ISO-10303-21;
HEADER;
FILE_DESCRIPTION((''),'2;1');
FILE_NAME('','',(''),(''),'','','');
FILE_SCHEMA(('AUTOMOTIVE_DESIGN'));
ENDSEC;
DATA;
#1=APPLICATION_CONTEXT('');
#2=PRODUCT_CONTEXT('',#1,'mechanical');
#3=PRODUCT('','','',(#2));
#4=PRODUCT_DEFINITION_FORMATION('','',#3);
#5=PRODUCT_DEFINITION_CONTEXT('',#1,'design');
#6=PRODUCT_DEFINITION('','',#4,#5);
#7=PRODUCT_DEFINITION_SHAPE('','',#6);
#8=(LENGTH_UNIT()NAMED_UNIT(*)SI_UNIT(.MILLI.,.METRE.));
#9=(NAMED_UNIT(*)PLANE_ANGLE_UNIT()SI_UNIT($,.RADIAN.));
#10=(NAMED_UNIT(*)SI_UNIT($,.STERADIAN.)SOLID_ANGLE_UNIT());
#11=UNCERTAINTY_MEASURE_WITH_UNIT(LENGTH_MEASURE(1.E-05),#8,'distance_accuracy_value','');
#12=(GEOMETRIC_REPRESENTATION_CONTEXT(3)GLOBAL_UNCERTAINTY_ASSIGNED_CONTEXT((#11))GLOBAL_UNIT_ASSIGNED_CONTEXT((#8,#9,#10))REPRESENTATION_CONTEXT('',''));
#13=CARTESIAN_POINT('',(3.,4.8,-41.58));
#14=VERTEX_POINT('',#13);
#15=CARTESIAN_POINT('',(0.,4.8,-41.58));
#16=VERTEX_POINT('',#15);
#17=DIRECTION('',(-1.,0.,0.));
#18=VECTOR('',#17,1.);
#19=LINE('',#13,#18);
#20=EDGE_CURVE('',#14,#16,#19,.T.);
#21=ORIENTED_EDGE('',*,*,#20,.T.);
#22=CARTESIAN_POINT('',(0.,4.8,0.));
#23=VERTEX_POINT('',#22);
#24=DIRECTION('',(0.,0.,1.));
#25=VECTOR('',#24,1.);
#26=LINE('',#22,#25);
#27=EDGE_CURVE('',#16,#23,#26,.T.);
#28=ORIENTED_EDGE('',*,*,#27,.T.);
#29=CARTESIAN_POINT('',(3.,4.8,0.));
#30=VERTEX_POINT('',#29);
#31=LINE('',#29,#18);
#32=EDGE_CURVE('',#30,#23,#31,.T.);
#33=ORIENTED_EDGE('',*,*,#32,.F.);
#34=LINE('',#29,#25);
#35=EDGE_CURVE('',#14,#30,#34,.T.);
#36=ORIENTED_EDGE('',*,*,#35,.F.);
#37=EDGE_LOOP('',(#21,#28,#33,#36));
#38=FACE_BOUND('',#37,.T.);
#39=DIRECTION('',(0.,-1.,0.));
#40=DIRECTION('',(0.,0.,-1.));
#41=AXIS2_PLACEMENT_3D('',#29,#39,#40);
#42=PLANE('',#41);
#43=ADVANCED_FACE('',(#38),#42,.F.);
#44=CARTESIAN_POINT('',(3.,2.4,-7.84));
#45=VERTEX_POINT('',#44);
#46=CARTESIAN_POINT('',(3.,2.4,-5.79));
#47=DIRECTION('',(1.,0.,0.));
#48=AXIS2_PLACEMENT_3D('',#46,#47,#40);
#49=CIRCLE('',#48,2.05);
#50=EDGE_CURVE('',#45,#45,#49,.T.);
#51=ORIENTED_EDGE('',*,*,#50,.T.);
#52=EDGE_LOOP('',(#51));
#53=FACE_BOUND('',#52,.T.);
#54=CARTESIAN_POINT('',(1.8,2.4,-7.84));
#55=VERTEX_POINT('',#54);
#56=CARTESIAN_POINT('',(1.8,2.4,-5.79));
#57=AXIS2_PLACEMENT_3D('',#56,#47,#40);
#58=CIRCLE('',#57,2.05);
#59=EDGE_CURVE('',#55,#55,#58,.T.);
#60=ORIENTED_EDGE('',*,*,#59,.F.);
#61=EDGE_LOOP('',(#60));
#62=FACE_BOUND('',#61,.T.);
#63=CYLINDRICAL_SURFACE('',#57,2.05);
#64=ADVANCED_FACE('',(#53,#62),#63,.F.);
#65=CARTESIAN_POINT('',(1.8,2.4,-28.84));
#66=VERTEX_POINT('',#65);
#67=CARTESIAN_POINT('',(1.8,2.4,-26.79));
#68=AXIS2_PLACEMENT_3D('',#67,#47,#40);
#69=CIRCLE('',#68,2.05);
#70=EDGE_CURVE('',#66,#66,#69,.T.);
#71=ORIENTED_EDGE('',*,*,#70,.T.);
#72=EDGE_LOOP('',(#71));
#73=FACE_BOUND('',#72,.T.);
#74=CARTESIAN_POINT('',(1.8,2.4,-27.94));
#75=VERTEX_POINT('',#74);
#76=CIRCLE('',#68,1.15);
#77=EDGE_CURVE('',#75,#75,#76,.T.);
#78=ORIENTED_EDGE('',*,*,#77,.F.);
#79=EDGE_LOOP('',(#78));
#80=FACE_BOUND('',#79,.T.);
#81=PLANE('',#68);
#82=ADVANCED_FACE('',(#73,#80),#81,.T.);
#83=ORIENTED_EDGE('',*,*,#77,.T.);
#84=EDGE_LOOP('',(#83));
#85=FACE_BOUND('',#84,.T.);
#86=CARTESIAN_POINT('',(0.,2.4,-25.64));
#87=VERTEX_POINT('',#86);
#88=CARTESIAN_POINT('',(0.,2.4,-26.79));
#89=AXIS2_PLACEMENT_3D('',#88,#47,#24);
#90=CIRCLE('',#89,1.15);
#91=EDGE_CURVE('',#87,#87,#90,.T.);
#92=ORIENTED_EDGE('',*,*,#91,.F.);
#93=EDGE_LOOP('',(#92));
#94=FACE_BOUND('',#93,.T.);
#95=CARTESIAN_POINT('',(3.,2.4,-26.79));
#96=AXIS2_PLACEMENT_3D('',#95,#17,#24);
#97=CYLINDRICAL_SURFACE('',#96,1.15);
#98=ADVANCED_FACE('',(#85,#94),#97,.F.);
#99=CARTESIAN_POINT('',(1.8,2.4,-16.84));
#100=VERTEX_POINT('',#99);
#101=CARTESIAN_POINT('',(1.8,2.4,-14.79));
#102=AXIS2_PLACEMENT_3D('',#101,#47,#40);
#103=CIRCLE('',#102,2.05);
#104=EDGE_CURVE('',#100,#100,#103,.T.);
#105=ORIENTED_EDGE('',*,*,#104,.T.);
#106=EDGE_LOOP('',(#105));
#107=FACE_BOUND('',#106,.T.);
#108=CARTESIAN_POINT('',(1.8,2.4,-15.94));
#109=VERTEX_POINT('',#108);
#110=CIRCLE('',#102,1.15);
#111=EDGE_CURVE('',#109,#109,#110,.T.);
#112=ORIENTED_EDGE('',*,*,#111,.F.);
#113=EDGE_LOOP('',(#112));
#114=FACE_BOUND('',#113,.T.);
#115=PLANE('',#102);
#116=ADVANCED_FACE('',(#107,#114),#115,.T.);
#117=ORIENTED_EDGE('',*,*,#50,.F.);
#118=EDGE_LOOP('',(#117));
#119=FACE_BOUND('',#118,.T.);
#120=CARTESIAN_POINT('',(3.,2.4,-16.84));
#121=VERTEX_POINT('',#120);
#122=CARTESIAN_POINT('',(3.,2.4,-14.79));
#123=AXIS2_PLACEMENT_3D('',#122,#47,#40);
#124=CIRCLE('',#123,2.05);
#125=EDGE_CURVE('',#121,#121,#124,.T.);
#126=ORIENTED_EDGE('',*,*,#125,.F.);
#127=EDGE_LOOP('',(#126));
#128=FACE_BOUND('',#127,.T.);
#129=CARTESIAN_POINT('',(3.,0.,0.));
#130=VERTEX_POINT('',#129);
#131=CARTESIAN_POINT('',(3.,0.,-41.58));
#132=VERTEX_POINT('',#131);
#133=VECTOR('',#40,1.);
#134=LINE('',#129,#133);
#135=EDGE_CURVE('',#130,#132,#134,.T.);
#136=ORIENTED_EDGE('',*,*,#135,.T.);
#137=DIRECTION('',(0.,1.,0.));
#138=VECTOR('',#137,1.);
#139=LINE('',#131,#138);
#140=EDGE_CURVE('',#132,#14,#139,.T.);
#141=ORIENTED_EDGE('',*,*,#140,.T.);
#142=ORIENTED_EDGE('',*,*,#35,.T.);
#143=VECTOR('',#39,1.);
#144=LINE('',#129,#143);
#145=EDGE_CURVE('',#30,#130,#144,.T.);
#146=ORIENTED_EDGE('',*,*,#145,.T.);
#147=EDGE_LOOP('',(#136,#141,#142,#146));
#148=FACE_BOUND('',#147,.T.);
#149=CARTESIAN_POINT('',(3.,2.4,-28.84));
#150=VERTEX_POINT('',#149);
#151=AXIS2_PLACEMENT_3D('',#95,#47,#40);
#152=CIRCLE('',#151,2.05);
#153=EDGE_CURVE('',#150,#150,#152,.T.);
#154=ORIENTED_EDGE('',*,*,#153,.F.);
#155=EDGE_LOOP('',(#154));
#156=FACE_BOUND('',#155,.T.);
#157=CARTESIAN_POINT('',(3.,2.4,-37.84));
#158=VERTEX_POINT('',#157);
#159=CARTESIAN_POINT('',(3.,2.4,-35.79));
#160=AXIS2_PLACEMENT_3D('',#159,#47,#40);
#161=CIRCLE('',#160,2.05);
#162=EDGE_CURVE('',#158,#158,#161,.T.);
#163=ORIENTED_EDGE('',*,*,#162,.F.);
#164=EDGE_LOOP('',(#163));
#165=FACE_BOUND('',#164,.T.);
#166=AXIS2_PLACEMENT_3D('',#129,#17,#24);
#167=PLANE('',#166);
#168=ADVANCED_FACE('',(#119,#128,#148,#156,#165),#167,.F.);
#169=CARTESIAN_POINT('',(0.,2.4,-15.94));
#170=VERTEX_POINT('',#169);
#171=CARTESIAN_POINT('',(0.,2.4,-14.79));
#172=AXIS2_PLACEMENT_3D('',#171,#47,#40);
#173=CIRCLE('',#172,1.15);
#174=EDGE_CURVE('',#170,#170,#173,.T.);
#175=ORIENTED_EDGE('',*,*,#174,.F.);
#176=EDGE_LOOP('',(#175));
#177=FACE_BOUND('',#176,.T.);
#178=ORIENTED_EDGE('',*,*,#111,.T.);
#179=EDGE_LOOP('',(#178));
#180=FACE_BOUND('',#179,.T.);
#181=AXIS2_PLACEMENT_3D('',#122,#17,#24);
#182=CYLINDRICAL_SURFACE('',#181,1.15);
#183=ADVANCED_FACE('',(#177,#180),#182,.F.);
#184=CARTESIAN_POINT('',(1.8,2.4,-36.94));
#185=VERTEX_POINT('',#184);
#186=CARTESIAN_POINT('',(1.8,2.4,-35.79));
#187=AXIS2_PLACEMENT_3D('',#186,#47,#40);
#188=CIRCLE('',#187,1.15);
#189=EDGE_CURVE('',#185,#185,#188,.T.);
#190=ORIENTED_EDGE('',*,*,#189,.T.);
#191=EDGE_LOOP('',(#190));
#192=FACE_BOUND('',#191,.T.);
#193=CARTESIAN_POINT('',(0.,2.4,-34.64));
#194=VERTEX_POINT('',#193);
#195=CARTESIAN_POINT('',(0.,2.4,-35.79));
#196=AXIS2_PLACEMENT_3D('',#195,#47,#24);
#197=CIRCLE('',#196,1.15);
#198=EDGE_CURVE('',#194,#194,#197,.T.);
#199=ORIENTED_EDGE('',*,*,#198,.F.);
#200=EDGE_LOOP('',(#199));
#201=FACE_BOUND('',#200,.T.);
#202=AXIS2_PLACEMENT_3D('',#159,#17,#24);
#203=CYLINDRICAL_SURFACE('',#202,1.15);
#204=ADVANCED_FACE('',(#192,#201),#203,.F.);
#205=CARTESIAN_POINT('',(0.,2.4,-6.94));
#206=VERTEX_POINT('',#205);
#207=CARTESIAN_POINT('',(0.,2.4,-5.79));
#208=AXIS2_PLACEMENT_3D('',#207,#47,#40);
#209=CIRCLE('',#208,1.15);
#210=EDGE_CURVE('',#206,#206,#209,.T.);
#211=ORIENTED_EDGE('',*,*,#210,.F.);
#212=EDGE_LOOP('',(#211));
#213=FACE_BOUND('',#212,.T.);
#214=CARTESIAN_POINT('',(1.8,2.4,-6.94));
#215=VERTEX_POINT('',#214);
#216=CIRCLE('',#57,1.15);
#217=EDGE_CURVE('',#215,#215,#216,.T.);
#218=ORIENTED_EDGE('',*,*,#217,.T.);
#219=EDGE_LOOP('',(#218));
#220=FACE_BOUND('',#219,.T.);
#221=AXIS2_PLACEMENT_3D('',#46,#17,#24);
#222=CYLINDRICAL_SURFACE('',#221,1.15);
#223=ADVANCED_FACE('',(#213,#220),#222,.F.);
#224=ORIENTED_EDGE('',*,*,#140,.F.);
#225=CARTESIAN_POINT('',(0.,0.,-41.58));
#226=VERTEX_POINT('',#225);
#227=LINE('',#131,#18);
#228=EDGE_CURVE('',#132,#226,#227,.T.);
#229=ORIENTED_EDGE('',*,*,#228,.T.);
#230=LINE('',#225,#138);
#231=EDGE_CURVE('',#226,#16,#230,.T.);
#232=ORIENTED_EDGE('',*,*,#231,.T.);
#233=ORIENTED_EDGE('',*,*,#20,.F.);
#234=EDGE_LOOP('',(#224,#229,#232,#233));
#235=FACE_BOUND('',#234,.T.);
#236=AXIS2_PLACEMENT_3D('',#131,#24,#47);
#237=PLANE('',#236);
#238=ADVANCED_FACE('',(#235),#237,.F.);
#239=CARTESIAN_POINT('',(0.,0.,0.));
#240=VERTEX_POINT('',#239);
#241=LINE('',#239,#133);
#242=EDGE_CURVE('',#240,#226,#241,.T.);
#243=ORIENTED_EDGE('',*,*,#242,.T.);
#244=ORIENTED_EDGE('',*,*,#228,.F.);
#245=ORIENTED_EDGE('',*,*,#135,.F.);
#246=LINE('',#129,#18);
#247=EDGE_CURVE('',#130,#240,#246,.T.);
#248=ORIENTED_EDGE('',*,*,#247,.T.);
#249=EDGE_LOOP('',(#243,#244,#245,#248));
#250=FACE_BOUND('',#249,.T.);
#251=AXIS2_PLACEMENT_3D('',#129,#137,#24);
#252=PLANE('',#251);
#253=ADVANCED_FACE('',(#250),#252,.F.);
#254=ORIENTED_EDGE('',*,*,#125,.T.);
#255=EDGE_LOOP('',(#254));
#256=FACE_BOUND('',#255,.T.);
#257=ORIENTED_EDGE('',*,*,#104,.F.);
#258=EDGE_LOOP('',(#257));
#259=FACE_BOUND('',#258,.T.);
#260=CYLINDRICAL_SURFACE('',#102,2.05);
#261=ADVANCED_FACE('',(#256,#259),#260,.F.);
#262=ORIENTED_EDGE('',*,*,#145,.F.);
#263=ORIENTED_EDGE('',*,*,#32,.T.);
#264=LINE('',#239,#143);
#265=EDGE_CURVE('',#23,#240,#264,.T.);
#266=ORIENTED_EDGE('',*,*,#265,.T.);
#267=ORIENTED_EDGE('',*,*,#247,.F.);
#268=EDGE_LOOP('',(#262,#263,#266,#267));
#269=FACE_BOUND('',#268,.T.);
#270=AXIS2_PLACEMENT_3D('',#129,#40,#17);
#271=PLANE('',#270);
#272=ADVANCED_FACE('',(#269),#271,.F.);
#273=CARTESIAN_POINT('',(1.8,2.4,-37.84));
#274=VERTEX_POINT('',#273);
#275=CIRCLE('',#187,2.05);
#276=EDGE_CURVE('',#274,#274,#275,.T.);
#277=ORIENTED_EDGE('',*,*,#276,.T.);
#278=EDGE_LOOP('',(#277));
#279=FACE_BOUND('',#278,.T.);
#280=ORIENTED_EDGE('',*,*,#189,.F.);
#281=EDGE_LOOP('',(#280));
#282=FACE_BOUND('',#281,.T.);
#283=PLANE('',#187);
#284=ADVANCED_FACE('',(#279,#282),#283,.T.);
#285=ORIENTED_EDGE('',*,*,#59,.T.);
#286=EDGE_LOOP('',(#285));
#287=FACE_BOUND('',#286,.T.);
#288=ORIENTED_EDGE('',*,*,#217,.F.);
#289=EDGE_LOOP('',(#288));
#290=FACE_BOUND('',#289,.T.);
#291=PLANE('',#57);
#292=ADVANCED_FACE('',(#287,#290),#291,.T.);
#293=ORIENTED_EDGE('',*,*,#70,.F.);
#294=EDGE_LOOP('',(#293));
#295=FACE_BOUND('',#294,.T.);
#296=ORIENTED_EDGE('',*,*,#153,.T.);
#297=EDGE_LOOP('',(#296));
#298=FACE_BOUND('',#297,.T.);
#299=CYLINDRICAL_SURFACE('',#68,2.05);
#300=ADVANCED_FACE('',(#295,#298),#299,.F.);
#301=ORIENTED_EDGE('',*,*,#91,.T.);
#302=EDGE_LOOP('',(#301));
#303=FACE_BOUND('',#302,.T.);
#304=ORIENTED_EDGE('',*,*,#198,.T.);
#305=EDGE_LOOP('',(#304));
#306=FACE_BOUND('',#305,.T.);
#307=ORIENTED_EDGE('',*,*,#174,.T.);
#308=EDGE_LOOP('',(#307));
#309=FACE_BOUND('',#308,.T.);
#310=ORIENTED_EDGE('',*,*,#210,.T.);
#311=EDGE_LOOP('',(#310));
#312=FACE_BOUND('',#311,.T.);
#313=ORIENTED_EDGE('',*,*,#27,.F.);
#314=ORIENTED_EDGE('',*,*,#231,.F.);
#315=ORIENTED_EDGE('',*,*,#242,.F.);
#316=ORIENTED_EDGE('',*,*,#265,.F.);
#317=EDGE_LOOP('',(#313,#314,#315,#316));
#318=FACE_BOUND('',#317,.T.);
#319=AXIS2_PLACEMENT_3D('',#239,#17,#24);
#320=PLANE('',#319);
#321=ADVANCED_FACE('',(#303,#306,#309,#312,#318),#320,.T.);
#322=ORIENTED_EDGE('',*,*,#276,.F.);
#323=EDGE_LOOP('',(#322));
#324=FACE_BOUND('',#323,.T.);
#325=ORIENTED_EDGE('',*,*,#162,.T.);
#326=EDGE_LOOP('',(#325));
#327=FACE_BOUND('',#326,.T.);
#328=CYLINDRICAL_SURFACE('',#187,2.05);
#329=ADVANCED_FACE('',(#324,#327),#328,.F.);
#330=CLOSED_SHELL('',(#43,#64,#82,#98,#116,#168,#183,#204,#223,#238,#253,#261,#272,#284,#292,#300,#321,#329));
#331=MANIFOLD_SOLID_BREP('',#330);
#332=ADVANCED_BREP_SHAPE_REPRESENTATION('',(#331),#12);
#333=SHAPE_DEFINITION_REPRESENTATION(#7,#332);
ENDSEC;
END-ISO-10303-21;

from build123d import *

# Parameters (mm, degrees)
SKETCH_1_W          = 41.58
SKETCH_1_H          = 4.8
SKETCH_1_R          = 1.15
EXTRUDE_1_DEPTH     = 3
SKETCH_2_R          = 2.05
CUT_EXTRUDE_1_DEPTH = 1.2


with BuildPart() as part:
    # 草图1 → 凸台-拉伸1 (new body)
    with BuildSketch(Plane(origin=(0, 0, 0), x_dir=(0, 0, -1), z_dir=(1, 0, 0))):
        with Locations((20.79, 2.4)):
            Rectangle(SKETCH_1_W, SKETCH_1_H)
        with Locations((14.79, 2.4)):
            Circle(SKETCH_1_R, mode=Mode.SUBTRACT)
        with Locations((5.79, 2.4)):
            Circle(SKETCH_1_R, mode=Mode.SUBTRACT)
        with Locations(Location((26.79, 2.4, 0), (0, 0, 180))):
            Circle(SKETCH_1_R, mode=Mode.SUBTRACT)
        with Locations(Location((35.79, 2.4, 0), (0, 0, 180))):
            Circle(SKETCH_1_R, mode=Mode.SUBTRACT)
    extrude(amount=EXTRUDE_1_DEPTH)

    # 草图2 → 切除-拉伸1 (cut)
    with BuildSketch(Plane(origin=(3, 0, 0), x_dir=(0, 0, -1), z_dir=(1, 0, 0))):
        with Locations((5.79, 2.4)):
            Circle(SKETCH_2_R)
        with Locations((14.79, 2.4)):
            Circle(SKETCH_2_R)
        with Locations((26.79, 2.4)):
            Circle(SKETCH_2_R)
        with Locations((35.79, 2.4)):
            Circle(SKETCH_2_R)
    extrude(amount=-CUT_EXTRUDE_1_DEPTH, mode=Mode.SUBTRACT)


solid = part.part
